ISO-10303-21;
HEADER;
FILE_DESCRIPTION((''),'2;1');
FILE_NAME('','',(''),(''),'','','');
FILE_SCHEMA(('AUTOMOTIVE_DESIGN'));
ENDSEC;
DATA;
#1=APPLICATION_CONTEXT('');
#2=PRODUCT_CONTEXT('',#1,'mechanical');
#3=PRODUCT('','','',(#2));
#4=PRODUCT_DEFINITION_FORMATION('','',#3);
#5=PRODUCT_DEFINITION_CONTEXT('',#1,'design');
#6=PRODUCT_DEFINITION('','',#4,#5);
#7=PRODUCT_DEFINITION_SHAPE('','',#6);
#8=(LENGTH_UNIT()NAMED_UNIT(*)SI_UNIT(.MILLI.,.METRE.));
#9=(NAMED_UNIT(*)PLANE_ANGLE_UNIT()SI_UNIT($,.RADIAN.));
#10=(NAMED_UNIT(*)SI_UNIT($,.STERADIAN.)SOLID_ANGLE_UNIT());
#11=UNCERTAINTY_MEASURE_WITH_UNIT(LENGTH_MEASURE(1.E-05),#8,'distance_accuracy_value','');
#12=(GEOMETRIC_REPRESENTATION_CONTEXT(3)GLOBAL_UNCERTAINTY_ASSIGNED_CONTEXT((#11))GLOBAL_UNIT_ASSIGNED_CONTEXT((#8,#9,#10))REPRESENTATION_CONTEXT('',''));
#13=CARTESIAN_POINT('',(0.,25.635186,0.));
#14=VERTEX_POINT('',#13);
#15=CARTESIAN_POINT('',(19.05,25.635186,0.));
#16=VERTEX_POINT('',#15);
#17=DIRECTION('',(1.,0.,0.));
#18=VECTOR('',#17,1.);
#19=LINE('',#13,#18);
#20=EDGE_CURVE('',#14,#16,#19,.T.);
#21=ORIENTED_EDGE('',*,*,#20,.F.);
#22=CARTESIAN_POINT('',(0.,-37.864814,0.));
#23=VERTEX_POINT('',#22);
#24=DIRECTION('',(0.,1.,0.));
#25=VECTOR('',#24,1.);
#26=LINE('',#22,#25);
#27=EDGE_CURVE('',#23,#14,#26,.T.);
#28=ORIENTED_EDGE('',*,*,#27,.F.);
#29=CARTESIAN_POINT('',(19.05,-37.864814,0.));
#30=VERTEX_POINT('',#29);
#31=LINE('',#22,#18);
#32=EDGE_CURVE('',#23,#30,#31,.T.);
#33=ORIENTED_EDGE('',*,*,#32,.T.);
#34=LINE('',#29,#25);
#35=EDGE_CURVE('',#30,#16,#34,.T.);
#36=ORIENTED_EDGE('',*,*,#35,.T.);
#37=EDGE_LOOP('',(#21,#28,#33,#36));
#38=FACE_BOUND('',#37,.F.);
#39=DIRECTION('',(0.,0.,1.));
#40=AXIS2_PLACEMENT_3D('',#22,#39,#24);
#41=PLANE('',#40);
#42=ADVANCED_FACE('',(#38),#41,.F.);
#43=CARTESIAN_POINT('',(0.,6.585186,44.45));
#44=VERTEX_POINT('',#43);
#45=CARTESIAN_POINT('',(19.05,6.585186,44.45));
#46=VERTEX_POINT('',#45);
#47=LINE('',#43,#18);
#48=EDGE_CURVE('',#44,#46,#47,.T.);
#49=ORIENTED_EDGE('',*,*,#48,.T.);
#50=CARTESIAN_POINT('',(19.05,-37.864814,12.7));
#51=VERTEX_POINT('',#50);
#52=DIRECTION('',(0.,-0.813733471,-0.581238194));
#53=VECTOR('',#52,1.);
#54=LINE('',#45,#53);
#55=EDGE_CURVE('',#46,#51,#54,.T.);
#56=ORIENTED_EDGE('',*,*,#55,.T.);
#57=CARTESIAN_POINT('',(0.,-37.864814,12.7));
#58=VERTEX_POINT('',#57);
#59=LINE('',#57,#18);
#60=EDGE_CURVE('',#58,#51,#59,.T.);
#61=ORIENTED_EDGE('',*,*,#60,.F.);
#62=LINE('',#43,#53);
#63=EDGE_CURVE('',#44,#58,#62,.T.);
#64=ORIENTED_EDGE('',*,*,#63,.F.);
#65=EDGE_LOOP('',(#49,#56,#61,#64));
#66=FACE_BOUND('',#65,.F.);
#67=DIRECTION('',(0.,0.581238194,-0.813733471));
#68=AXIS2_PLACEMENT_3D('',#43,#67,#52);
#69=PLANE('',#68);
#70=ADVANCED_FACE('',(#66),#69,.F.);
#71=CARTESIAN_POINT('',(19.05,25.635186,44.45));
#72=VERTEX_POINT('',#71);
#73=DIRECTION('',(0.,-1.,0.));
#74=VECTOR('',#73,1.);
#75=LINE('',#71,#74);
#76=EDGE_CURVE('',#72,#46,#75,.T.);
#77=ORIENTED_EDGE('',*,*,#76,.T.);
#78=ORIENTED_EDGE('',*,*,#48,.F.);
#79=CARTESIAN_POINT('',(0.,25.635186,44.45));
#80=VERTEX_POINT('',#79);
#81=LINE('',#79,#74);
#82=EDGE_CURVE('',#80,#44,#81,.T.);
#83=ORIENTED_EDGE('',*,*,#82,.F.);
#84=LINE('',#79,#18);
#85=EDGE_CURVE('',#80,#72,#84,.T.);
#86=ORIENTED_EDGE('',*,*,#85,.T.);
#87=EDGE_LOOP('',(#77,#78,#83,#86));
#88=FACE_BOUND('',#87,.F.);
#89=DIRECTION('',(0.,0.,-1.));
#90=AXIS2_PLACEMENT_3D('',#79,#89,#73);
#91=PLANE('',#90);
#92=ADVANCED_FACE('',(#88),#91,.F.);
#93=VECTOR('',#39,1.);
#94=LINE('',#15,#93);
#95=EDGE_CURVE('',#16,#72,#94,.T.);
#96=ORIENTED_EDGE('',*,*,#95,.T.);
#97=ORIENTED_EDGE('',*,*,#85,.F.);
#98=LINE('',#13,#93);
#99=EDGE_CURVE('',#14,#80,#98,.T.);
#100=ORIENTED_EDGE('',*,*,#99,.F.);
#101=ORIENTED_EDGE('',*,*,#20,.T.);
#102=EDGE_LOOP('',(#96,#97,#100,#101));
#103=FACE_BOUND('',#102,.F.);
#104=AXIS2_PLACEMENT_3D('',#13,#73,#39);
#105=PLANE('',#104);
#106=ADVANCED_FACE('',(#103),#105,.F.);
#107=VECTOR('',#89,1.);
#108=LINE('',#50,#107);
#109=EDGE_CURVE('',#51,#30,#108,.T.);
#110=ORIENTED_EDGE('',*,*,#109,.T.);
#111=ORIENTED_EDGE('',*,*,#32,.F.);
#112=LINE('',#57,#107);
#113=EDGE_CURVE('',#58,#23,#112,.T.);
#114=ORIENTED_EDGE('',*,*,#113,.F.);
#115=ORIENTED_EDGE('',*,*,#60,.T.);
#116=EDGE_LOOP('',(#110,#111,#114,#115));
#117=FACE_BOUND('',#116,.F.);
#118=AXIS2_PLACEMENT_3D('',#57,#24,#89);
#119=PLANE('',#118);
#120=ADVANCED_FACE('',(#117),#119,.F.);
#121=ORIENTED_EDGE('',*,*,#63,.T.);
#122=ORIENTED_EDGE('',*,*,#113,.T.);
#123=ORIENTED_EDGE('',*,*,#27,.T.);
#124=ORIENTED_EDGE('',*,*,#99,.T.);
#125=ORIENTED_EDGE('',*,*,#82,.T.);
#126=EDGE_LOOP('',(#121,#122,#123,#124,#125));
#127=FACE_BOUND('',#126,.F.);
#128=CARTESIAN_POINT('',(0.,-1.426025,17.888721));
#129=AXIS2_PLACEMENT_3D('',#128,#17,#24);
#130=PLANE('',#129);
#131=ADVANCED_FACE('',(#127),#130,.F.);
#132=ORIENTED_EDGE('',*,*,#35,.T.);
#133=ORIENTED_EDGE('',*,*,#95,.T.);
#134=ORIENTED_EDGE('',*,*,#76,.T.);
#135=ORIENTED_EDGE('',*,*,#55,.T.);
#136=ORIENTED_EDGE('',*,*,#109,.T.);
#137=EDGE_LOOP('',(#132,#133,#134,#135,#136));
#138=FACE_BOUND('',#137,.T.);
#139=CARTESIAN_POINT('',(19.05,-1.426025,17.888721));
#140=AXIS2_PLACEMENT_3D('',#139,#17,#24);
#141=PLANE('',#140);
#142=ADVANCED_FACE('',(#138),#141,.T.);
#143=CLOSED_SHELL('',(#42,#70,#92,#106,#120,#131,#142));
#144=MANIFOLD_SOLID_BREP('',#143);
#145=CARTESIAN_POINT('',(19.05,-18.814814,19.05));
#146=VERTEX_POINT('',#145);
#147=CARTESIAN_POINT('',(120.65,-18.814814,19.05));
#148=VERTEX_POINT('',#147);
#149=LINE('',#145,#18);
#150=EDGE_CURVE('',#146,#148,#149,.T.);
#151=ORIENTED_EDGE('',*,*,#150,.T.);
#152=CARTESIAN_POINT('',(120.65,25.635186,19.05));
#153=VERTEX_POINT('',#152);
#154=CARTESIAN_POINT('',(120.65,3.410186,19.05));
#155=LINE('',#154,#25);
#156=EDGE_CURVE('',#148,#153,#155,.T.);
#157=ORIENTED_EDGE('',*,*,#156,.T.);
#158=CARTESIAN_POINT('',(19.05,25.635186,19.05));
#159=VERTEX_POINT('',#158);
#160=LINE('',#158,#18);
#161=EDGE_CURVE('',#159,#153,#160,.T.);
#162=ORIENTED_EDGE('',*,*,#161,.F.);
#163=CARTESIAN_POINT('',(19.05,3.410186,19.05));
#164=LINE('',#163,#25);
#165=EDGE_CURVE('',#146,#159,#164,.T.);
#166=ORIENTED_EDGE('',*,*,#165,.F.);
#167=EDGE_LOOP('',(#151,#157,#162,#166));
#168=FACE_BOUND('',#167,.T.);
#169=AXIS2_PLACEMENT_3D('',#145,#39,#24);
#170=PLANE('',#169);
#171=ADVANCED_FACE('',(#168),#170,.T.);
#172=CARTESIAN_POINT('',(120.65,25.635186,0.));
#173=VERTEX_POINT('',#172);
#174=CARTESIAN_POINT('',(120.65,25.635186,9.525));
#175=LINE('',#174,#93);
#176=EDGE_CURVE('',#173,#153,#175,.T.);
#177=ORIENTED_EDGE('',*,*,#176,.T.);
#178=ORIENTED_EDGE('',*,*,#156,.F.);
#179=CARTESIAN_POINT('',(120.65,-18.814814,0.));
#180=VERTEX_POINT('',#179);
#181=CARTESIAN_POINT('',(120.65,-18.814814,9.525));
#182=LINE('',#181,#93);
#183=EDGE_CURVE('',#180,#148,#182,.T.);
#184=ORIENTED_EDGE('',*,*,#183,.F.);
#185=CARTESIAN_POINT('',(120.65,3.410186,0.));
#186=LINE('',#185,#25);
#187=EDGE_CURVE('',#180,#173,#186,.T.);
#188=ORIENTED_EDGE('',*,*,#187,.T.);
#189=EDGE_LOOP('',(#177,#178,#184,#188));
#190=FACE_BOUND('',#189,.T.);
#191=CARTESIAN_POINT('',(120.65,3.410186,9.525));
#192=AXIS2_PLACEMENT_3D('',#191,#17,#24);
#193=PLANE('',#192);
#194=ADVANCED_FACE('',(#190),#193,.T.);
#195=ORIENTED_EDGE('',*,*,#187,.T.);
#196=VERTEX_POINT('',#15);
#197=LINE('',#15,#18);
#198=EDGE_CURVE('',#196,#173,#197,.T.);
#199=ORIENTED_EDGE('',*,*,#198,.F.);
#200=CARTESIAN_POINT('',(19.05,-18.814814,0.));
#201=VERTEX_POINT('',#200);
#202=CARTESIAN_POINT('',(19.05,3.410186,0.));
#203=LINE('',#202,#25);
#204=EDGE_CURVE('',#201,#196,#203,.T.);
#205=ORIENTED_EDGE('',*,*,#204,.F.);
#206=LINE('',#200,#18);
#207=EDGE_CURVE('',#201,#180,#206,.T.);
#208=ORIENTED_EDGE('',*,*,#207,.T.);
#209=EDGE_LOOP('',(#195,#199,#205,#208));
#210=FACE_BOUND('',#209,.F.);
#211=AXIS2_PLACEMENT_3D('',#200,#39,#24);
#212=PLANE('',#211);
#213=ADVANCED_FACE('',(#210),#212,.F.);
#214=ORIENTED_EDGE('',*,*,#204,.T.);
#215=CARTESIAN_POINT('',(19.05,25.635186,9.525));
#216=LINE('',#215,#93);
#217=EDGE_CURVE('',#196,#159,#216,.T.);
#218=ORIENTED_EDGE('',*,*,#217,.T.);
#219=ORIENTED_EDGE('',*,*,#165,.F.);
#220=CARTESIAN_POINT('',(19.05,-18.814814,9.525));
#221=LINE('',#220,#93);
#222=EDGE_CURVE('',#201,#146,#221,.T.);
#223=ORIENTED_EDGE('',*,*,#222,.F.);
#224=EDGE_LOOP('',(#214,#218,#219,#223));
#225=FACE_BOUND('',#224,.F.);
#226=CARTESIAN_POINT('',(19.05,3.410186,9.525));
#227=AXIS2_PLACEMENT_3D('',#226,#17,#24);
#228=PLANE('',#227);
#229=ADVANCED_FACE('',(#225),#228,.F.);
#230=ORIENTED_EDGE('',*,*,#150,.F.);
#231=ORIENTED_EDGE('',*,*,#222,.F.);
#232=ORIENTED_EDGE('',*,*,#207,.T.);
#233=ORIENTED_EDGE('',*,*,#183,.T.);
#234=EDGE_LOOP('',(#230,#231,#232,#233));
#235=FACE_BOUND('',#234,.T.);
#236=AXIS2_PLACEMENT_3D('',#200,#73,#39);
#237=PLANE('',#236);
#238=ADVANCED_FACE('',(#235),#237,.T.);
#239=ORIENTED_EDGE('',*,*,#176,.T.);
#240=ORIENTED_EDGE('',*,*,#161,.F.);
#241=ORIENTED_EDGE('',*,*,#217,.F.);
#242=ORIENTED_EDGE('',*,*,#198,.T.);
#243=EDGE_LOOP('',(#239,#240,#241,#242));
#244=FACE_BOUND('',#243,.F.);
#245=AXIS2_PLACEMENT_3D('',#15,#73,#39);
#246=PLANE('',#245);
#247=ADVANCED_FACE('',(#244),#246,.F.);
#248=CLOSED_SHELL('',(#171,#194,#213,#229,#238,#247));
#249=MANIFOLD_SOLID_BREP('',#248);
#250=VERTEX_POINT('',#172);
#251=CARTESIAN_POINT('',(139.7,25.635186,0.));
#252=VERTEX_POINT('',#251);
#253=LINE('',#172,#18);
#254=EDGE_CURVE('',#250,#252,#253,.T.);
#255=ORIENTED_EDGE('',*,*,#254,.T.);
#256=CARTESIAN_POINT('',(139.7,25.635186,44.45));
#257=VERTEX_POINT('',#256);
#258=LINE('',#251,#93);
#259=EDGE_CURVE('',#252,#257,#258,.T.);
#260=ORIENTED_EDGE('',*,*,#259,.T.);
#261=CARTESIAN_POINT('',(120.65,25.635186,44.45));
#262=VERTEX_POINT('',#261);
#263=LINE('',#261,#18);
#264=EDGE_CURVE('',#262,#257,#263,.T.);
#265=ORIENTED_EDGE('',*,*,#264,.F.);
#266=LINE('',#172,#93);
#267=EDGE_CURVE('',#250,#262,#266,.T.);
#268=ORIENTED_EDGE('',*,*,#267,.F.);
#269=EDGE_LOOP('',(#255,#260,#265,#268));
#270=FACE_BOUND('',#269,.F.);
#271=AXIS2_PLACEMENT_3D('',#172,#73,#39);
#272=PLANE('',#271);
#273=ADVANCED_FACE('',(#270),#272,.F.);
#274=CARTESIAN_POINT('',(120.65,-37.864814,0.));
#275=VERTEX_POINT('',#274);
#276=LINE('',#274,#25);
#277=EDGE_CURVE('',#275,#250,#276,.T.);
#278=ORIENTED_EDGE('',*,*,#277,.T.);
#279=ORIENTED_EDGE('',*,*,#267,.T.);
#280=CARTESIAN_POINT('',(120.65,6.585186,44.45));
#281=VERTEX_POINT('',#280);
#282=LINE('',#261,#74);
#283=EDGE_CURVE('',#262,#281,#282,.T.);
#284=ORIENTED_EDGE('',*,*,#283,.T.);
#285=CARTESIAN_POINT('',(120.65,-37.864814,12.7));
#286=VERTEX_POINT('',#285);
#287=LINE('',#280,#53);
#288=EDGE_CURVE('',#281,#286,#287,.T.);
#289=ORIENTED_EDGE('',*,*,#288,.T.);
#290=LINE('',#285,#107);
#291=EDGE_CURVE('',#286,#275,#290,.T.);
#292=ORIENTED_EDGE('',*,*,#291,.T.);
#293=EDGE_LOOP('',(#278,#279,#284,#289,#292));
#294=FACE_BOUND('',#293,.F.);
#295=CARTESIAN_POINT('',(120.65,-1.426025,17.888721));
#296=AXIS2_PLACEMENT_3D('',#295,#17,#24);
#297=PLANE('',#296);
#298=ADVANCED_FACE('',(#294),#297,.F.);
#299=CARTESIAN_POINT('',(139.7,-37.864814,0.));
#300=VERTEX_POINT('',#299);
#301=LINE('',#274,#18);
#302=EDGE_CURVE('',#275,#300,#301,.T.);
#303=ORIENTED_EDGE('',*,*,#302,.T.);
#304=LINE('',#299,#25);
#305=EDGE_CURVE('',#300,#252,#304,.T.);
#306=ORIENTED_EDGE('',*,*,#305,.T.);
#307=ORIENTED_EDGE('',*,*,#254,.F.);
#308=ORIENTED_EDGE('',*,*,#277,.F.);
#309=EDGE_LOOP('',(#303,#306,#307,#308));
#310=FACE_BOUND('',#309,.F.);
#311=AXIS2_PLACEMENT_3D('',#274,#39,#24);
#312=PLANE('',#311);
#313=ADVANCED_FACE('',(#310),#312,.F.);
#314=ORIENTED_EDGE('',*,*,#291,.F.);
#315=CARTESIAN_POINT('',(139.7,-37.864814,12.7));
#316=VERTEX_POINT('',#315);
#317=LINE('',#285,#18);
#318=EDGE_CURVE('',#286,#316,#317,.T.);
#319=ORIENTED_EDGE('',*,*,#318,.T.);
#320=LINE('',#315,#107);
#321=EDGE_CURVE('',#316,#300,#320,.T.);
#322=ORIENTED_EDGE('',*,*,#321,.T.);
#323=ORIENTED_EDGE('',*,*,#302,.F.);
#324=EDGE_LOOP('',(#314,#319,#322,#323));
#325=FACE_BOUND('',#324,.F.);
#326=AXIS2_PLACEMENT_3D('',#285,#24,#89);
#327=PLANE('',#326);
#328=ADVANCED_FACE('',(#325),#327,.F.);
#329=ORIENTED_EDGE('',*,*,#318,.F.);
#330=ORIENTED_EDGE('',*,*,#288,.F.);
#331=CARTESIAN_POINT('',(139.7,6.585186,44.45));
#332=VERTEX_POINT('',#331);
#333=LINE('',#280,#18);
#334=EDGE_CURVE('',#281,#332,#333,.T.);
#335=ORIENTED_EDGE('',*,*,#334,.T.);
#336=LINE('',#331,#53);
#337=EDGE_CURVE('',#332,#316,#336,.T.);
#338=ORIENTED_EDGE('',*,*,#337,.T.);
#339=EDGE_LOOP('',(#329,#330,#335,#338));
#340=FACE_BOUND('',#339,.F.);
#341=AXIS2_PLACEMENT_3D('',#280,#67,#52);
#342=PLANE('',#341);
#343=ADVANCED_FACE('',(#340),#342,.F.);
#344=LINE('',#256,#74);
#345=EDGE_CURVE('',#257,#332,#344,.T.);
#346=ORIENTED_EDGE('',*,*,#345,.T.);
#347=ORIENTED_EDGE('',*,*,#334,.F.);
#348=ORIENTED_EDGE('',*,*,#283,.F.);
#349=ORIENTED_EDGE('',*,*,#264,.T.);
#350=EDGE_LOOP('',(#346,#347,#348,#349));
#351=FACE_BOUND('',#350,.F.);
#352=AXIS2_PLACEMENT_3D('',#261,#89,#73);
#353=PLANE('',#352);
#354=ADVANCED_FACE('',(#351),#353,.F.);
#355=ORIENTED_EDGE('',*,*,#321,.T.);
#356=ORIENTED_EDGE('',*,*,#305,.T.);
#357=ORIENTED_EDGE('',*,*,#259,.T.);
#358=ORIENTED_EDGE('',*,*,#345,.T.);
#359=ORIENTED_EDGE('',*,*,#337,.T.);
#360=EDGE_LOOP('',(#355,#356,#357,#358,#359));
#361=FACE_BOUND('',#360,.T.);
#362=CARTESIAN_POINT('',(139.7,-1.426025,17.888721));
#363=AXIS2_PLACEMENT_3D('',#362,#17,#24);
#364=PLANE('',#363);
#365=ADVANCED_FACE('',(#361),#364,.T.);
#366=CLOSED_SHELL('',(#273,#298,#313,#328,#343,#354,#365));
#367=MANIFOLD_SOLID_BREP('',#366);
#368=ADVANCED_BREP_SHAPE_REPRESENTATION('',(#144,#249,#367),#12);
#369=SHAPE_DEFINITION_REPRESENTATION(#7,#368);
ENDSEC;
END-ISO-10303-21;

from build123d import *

# Parameters (mm, degrees)
F1_DEPTH = 19.05
F2_W     = 44.45
F2_H     = 19.05
F3_DEPTH = 101.6
F5_DEPTH = 19.05


with BuildPart() as f1:
    # F0 (on Right) → F1 (new body)
    with BuildSketch(Plane.YZ):
        Polygon((-37.864814, 0), (25.635186, 0), (25.635186, 44.45), (6.585186, 44.45), (-37.864814, 12.7), align=None)
    extrude(amount=F1_DEPTH)


with BuildPart() as f3:
    # F2 (on face) → F3 (new body)
    with BuildSketch(Plane.YZ.offset(19.05)):
        with Locations((3.410186, 9.525)):
            Rectangle(F2_W, F2_H)
    extrude(amount=F3_DEPTH)


with BuildPart() as f5:
    # F4 (on face) → F5 (new body)
    with BuildSketch(Plane.YZ.offset(120.65)):
        Polygon((-37.864814, 0), (25.635186, 0), (25.635186, 44.45), (6.585186, 44.45), (-37.864814, 12.7), align=None)
    extrude(amount=F5_DEPTH)


solid = Compound([f1.part, f3.part, f5.part])
